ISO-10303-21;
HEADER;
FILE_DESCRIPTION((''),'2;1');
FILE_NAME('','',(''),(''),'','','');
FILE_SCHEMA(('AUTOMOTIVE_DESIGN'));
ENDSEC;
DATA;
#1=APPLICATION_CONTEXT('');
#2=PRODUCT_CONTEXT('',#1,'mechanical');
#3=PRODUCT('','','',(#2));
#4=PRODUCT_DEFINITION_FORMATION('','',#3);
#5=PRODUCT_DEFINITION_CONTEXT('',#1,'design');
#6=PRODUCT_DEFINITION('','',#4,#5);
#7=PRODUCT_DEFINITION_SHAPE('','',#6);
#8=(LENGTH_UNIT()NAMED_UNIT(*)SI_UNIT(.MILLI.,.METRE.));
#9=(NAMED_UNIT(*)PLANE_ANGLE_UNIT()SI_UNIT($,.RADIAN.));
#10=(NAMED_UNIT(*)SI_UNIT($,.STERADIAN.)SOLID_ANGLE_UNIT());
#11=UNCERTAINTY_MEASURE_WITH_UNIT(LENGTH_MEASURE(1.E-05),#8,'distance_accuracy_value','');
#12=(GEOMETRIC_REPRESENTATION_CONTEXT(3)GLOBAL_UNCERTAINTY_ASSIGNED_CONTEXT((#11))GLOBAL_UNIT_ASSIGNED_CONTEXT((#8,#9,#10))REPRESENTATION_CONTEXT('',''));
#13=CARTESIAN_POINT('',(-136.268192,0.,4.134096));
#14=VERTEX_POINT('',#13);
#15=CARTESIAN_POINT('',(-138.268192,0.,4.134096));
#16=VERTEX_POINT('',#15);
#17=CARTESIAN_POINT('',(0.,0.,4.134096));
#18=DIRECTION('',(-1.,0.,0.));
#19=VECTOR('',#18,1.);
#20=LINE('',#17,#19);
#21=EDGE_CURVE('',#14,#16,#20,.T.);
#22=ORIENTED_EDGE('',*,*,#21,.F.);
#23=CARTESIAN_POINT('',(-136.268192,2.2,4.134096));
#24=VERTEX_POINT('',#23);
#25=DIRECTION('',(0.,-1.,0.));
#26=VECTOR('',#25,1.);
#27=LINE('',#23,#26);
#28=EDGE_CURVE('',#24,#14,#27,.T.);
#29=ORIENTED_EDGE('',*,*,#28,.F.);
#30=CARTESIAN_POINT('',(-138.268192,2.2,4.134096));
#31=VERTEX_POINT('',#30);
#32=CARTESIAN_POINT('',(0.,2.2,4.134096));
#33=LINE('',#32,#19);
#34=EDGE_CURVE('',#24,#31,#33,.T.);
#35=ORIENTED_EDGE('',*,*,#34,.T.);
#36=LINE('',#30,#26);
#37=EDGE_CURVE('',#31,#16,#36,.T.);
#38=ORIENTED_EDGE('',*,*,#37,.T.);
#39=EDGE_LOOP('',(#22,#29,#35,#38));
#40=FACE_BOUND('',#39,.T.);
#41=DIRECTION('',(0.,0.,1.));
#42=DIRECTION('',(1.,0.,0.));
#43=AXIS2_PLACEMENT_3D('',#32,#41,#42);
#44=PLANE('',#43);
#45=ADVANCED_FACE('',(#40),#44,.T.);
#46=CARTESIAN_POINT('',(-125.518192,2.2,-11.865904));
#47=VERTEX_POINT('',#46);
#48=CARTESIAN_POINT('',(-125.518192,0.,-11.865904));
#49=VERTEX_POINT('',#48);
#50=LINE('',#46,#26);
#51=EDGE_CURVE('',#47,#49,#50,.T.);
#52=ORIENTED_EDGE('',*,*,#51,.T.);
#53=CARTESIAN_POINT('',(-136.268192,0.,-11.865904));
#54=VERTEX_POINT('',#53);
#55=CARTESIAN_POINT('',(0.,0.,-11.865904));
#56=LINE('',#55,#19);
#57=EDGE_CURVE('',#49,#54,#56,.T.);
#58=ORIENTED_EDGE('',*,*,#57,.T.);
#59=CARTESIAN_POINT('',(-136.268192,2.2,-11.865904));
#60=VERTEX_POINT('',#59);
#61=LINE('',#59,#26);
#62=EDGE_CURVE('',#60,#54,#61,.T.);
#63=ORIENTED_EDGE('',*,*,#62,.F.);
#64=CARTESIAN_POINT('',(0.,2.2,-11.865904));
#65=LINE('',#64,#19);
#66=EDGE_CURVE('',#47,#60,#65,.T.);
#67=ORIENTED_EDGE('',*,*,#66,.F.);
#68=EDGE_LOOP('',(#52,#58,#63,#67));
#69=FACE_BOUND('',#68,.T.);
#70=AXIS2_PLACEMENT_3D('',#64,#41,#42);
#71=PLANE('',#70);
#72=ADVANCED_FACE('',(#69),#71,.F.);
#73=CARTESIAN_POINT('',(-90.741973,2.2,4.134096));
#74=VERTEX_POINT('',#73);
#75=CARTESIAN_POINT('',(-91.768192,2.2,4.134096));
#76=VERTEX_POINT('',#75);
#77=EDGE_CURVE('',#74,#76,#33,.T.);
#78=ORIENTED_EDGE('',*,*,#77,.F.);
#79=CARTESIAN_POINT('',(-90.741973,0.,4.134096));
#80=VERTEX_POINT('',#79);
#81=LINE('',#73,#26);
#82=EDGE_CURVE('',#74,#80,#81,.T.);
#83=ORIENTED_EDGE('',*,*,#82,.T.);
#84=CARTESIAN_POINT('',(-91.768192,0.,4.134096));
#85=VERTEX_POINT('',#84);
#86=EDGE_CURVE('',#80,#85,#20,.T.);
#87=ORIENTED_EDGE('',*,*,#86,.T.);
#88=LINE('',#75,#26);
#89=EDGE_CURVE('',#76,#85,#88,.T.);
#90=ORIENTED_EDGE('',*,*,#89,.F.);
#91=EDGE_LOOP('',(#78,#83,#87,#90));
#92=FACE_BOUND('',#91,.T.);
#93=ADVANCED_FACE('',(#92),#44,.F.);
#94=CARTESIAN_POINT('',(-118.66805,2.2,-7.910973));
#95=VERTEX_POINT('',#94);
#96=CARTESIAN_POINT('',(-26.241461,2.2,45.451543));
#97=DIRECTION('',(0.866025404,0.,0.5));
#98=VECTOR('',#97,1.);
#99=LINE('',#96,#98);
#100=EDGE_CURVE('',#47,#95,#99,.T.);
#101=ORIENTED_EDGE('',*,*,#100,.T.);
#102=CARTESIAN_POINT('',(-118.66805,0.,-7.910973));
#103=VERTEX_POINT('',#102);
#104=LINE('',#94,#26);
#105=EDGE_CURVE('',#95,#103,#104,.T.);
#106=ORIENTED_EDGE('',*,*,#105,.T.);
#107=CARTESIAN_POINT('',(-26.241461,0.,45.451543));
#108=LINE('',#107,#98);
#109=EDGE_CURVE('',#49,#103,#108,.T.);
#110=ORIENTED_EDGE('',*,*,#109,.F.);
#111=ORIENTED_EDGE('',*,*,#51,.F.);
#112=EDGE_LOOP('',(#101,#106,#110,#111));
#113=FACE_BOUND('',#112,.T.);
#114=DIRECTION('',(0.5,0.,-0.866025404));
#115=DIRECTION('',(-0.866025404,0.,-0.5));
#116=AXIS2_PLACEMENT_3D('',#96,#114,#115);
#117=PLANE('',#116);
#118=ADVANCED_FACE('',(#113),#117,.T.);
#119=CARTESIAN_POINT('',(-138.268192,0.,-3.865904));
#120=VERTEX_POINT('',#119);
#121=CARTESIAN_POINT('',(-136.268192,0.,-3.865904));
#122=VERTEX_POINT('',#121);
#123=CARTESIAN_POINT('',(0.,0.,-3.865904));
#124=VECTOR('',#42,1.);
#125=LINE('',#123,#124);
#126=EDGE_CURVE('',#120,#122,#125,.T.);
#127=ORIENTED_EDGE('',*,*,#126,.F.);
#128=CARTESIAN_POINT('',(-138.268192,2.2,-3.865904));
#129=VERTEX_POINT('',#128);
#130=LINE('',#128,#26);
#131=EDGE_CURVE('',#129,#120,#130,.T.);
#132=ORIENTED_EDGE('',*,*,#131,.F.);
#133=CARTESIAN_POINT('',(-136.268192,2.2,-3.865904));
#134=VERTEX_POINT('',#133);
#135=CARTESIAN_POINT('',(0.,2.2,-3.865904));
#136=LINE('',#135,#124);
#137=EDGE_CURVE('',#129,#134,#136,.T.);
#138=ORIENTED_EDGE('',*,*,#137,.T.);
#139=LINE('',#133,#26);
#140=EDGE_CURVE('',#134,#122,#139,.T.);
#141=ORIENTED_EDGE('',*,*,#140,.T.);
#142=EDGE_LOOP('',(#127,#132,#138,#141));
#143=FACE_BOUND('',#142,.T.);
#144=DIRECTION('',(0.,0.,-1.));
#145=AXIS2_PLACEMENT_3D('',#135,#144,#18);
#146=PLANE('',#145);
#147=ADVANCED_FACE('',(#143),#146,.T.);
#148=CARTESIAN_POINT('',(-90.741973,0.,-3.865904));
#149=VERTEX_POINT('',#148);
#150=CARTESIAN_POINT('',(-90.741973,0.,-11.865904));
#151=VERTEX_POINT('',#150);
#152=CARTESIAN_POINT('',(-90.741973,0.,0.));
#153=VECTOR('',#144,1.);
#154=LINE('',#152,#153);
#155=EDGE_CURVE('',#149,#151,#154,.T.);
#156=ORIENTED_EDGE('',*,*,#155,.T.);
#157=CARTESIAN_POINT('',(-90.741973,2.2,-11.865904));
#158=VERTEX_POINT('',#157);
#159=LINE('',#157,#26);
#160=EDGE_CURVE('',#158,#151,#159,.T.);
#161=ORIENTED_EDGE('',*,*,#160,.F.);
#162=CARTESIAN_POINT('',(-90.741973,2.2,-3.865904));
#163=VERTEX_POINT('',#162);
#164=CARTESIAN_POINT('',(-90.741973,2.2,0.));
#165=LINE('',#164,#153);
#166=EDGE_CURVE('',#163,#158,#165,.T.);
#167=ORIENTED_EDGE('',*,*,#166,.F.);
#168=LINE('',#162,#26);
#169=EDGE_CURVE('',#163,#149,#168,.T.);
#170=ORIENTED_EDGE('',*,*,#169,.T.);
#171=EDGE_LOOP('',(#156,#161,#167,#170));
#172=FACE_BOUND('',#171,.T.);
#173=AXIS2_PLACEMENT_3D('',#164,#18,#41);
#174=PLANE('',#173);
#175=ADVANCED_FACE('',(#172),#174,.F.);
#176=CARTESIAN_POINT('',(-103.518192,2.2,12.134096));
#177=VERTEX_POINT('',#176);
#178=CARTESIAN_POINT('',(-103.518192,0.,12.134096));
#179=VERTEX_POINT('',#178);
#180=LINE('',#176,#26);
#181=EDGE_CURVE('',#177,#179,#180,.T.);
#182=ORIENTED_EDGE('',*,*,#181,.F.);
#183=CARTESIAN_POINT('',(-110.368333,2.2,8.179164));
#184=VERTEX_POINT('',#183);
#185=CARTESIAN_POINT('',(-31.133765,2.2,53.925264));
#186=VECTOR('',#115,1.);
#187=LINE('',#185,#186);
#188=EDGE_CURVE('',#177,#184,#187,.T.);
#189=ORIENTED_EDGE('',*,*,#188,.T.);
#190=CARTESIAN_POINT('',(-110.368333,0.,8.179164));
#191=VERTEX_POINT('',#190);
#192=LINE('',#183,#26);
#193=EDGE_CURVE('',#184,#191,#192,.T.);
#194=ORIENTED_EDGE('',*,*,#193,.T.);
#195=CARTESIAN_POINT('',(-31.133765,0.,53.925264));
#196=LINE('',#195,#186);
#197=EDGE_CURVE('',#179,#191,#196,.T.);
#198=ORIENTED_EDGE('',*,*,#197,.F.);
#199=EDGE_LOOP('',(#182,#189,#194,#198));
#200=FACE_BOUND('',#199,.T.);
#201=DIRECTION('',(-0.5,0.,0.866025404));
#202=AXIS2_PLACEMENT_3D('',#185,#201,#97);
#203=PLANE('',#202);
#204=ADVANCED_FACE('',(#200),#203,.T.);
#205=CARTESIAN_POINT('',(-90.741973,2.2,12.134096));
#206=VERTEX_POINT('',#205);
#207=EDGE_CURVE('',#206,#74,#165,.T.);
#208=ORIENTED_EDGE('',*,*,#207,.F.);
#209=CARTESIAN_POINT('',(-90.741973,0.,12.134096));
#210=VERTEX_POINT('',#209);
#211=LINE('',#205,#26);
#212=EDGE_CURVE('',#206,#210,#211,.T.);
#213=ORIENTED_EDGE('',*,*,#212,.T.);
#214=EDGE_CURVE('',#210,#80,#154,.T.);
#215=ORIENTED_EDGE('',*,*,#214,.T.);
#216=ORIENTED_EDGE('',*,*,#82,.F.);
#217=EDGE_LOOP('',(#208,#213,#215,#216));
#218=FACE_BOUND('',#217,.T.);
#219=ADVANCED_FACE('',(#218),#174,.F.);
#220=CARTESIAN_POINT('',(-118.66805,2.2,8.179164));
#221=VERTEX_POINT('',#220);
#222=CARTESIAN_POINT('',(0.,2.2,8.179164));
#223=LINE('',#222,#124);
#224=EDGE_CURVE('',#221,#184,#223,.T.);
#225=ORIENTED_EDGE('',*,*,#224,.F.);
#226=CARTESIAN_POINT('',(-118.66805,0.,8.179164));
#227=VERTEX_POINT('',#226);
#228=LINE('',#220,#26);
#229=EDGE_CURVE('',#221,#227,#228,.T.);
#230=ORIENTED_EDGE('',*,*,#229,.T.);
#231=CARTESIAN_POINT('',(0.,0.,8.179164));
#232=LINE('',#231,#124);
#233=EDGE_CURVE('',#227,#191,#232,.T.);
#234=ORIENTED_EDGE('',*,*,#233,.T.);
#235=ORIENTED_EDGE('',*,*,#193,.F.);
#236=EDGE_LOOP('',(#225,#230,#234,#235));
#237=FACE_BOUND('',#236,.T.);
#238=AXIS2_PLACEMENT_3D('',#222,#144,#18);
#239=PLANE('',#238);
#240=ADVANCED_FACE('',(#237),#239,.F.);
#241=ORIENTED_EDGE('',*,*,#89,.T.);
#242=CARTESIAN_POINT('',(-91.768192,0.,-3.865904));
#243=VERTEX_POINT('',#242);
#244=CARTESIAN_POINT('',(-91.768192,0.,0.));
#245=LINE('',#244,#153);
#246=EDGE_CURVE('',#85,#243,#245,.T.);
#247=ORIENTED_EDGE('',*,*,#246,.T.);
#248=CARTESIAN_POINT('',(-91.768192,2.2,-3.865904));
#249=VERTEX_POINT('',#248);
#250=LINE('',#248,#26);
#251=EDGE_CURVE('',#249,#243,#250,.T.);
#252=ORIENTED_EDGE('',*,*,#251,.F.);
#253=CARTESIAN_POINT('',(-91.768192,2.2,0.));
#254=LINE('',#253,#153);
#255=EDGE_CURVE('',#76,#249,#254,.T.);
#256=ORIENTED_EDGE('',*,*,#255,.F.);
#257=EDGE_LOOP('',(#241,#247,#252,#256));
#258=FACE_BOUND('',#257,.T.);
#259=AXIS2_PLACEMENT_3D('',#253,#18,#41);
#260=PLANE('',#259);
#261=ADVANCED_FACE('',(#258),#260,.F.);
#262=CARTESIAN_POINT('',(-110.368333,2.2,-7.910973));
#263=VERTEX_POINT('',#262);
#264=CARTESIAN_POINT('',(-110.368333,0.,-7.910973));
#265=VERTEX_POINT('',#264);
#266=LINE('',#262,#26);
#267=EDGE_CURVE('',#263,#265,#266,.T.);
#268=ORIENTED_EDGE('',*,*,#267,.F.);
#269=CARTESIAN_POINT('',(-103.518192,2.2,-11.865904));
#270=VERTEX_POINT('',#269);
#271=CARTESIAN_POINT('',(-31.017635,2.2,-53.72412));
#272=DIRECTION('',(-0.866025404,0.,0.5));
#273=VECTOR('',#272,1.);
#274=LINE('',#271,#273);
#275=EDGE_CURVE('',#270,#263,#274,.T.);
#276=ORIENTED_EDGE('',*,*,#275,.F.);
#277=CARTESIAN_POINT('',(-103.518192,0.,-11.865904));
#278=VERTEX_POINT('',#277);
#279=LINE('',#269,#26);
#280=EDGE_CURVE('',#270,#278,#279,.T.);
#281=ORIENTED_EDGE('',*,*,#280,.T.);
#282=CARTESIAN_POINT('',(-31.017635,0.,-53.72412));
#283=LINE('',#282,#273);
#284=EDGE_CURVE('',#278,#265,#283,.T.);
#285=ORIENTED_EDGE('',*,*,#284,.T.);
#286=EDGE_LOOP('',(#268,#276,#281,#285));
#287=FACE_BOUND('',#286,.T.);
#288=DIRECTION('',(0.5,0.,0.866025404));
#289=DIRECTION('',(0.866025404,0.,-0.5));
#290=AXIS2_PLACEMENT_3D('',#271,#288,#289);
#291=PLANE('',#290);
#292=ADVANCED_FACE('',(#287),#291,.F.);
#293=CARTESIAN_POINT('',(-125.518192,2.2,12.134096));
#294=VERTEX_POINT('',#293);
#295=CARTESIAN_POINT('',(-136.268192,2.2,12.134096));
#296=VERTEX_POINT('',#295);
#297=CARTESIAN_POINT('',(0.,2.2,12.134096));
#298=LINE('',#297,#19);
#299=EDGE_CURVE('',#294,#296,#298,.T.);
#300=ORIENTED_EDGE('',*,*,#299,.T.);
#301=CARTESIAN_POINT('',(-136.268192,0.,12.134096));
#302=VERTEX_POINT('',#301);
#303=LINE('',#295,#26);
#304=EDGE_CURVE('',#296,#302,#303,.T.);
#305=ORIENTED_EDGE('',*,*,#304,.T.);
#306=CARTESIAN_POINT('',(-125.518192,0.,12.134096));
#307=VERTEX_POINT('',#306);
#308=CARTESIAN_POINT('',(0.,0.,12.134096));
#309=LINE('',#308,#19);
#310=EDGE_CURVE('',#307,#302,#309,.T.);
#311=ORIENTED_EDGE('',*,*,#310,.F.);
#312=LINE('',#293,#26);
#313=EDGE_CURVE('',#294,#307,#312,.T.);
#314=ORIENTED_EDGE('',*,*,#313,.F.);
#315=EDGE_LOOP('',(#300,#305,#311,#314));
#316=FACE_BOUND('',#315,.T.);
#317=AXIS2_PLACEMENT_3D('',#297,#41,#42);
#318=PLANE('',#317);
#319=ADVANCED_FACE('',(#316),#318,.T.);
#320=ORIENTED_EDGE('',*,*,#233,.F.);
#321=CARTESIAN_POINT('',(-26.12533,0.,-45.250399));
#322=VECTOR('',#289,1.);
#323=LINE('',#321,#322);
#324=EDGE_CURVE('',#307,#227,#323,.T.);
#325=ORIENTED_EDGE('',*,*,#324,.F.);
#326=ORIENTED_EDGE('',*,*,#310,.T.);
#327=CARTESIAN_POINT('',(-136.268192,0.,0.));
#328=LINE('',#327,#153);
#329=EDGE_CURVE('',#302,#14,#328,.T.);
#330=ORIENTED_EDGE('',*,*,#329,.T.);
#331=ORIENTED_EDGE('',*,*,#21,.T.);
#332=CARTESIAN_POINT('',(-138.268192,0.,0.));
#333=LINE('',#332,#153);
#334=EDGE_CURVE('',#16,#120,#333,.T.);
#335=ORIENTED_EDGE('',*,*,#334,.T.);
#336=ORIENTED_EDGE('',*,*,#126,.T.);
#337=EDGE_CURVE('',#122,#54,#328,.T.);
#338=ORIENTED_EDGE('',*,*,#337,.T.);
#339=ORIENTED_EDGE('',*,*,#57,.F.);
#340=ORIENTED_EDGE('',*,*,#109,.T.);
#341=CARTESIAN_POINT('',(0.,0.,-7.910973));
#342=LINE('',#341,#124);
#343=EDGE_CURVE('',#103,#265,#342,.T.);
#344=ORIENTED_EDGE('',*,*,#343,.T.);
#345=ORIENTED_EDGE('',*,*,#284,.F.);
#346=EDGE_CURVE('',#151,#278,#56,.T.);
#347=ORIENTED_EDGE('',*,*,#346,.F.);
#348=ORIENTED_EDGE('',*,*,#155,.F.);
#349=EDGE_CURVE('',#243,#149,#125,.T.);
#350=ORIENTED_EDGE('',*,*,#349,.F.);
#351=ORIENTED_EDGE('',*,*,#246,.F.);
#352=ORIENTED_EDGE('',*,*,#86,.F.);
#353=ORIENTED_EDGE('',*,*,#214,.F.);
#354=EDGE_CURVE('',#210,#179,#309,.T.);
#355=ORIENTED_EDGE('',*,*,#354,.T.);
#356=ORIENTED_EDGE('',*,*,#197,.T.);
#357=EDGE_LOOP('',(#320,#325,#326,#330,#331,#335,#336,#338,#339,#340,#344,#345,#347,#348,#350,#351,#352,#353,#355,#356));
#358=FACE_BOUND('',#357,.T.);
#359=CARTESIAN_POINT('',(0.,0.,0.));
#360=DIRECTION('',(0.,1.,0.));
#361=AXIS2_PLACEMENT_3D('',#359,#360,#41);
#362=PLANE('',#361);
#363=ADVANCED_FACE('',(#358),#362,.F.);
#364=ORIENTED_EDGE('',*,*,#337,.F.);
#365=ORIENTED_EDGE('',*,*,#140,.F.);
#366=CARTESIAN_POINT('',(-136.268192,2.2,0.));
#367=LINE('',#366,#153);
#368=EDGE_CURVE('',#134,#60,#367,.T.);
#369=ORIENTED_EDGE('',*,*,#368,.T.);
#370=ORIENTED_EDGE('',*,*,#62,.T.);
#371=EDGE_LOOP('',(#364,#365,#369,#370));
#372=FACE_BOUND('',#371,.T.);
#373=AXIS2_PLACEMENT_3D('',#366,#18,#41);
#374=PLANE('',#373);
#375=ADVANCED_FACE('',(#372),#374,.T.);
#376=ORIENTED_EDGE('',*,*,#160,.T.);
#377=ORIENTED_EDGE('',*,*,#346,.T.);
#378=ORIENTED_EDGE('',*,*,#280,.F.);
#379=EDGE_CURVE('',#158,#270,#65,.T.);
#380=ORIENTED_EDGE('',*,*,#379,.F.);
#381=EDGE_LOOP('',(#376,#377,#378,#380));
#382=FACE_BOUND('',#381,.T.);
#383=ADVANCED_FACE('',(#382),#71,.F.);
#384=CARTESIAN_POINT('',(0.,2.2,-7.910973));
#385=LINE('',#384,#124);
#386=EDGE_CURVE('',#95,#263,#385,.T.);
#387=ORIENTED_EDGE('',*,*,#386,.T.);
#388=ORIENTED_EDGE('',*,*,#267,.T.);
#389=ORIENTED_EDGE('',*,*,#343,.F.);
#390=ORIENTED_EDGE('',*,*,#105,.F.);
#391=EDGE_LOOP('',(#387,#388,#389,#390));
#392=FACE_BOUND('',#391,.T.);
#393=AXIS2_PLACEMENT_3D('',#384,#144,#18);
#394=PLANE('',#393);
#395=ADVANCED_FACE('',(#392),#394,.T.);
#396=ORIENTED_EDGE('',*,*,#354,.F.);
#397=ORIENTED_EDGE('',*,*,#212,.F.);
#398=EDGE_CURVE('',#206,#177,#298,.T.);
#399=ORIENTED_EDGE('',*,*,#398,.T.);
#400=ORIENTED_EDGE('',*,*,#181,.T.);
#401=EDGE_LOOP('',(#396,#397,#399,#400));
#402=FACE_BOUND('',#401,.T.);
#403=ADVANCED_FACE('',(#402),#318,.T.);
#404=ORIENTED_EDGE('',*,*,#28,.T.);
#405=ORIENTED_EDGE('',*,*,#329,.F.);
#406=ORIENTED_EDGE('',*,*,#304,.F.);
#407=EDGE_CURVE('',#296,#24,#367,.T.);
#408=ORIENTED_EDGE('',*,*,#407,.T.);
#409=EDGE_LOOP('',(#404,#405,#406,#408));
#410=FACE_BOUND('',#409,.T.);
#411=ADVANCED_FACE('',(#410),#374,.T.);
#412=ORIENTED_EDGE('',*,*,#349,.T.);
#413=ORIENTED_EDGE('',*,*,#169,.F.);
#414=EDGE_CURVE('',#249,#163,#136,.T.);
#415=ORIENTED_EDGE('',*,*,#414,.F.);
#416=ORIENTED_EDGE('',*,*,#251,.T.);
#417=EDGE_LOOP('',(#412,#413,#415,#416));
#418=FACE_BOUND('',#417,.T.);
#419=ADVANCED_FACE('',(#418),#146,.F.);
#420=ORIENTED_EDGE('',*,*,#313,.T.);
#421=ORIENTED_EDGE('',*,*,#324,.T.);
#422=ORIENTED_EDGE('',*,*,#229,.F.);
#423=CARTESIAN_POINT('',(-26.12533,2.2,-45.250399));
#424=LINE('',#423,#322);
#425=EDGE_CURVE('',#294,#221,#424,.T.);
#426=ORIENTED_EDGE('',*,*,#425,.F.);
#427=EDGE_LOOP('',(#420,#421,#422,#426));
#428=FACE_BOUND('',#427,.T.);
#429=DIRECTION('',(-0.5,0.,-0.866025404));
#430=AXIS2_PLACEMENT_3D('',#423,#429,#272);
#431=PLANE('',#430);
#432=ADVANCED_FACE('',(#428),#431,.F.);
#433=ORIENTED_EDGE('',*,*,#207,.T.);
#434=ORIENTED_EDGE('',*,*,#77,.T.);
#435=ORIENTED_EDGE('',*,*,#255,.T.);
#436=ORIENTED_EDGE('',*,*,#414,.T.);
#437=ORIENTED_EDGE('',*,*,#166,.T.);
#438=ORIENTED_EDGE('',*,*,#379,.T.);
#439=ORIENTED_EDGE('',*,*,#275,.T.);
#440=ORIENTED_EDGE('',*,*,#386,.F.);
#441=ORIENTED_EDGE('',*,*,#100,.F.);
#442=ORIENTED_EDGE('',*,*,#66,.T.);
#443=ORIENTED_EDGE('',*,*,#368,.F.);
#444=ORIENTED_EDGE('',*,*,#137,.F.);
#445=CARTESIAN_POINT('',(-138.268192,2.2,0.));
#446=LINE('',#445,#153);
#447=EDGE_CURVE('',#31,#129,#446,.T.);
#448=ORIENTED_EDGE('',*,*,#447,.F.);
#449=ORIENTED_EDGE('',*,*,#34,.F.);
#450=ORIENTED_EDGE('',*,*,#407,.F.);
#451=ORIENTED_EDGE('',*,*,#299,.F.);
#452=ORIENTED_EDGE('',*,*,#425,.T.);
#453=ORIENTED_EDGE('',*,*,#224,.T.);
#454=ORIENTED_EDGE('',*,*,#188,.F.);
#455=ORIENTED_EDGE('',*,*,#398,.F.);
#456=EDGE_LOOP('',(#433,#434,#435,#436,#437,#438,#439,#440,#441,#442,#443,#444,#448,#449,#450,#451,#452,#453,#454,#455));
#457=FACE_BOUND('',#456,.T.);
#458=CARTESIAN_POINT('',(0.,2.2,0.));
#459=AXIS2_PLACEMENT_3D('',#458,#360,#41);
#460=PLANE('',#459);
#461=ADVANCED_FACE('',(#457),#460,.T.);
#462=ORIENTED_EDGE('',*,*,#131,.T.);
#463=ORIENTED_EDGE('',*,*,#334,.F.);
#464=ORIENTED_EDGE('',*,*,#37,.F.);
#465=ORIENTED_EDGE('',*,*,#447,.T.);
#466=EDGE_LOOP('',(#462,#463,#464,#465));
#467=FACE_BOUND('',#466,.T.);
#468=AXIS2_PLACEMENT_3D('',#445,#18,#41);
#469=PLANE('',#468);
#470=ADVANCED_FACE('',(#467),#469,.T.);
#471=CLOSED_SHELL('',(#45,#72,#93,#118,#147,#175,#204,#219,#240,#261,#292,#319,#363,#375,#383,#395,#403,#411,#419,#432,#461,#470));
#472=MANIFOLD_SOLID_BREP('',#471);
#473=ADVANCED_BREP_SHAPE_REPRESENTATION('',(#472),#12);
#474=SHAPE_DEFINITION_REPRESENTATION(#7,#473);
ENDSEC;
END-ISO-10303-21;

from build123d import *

# Parameters (mm, degrees)
BOSS_EXTRUDE1_DEPTH = 2.2


with BuildPart() as part:
    # Sketch1 → Boss-Extrude1 (new body)
    with BuildSketch(Plane(origin=(0, 0, 0), x_dir=(1, 0, 0), z_dir=(0, 1, 0))):
        Polygon((-90.741972645, 3.865904239), (-90.741972645, 11.865904239), (-103.518191523, 11.865904239), (-110.368333427, 7.910972966), (-118.668049619, 7.910972966), (-125.518191523, 11.865904239), (-136.268191523, 11.865904239), (-136.268191523, 3.865904239), (-138.268191523, 3.865904239), (-138.268191523, -4.134095761), (-136.268191523, -4.134095761), (-136.268191523, -12.134095761), (-125.518191523, -12.134095761), (-118.668049619, -8.179164489), (-110.368333427, -8.179164489), (-103.518191523, -12.134095761), (-90.741972645, -12.134095761), (-90.741972645, -4.134095761), (-91.768191523, -4.134095761), (-91.768191523, 3.865904239), align=None)
    extrude(amount=BOSS_EXTRUDE1_DEPTH)


solid = part.part
